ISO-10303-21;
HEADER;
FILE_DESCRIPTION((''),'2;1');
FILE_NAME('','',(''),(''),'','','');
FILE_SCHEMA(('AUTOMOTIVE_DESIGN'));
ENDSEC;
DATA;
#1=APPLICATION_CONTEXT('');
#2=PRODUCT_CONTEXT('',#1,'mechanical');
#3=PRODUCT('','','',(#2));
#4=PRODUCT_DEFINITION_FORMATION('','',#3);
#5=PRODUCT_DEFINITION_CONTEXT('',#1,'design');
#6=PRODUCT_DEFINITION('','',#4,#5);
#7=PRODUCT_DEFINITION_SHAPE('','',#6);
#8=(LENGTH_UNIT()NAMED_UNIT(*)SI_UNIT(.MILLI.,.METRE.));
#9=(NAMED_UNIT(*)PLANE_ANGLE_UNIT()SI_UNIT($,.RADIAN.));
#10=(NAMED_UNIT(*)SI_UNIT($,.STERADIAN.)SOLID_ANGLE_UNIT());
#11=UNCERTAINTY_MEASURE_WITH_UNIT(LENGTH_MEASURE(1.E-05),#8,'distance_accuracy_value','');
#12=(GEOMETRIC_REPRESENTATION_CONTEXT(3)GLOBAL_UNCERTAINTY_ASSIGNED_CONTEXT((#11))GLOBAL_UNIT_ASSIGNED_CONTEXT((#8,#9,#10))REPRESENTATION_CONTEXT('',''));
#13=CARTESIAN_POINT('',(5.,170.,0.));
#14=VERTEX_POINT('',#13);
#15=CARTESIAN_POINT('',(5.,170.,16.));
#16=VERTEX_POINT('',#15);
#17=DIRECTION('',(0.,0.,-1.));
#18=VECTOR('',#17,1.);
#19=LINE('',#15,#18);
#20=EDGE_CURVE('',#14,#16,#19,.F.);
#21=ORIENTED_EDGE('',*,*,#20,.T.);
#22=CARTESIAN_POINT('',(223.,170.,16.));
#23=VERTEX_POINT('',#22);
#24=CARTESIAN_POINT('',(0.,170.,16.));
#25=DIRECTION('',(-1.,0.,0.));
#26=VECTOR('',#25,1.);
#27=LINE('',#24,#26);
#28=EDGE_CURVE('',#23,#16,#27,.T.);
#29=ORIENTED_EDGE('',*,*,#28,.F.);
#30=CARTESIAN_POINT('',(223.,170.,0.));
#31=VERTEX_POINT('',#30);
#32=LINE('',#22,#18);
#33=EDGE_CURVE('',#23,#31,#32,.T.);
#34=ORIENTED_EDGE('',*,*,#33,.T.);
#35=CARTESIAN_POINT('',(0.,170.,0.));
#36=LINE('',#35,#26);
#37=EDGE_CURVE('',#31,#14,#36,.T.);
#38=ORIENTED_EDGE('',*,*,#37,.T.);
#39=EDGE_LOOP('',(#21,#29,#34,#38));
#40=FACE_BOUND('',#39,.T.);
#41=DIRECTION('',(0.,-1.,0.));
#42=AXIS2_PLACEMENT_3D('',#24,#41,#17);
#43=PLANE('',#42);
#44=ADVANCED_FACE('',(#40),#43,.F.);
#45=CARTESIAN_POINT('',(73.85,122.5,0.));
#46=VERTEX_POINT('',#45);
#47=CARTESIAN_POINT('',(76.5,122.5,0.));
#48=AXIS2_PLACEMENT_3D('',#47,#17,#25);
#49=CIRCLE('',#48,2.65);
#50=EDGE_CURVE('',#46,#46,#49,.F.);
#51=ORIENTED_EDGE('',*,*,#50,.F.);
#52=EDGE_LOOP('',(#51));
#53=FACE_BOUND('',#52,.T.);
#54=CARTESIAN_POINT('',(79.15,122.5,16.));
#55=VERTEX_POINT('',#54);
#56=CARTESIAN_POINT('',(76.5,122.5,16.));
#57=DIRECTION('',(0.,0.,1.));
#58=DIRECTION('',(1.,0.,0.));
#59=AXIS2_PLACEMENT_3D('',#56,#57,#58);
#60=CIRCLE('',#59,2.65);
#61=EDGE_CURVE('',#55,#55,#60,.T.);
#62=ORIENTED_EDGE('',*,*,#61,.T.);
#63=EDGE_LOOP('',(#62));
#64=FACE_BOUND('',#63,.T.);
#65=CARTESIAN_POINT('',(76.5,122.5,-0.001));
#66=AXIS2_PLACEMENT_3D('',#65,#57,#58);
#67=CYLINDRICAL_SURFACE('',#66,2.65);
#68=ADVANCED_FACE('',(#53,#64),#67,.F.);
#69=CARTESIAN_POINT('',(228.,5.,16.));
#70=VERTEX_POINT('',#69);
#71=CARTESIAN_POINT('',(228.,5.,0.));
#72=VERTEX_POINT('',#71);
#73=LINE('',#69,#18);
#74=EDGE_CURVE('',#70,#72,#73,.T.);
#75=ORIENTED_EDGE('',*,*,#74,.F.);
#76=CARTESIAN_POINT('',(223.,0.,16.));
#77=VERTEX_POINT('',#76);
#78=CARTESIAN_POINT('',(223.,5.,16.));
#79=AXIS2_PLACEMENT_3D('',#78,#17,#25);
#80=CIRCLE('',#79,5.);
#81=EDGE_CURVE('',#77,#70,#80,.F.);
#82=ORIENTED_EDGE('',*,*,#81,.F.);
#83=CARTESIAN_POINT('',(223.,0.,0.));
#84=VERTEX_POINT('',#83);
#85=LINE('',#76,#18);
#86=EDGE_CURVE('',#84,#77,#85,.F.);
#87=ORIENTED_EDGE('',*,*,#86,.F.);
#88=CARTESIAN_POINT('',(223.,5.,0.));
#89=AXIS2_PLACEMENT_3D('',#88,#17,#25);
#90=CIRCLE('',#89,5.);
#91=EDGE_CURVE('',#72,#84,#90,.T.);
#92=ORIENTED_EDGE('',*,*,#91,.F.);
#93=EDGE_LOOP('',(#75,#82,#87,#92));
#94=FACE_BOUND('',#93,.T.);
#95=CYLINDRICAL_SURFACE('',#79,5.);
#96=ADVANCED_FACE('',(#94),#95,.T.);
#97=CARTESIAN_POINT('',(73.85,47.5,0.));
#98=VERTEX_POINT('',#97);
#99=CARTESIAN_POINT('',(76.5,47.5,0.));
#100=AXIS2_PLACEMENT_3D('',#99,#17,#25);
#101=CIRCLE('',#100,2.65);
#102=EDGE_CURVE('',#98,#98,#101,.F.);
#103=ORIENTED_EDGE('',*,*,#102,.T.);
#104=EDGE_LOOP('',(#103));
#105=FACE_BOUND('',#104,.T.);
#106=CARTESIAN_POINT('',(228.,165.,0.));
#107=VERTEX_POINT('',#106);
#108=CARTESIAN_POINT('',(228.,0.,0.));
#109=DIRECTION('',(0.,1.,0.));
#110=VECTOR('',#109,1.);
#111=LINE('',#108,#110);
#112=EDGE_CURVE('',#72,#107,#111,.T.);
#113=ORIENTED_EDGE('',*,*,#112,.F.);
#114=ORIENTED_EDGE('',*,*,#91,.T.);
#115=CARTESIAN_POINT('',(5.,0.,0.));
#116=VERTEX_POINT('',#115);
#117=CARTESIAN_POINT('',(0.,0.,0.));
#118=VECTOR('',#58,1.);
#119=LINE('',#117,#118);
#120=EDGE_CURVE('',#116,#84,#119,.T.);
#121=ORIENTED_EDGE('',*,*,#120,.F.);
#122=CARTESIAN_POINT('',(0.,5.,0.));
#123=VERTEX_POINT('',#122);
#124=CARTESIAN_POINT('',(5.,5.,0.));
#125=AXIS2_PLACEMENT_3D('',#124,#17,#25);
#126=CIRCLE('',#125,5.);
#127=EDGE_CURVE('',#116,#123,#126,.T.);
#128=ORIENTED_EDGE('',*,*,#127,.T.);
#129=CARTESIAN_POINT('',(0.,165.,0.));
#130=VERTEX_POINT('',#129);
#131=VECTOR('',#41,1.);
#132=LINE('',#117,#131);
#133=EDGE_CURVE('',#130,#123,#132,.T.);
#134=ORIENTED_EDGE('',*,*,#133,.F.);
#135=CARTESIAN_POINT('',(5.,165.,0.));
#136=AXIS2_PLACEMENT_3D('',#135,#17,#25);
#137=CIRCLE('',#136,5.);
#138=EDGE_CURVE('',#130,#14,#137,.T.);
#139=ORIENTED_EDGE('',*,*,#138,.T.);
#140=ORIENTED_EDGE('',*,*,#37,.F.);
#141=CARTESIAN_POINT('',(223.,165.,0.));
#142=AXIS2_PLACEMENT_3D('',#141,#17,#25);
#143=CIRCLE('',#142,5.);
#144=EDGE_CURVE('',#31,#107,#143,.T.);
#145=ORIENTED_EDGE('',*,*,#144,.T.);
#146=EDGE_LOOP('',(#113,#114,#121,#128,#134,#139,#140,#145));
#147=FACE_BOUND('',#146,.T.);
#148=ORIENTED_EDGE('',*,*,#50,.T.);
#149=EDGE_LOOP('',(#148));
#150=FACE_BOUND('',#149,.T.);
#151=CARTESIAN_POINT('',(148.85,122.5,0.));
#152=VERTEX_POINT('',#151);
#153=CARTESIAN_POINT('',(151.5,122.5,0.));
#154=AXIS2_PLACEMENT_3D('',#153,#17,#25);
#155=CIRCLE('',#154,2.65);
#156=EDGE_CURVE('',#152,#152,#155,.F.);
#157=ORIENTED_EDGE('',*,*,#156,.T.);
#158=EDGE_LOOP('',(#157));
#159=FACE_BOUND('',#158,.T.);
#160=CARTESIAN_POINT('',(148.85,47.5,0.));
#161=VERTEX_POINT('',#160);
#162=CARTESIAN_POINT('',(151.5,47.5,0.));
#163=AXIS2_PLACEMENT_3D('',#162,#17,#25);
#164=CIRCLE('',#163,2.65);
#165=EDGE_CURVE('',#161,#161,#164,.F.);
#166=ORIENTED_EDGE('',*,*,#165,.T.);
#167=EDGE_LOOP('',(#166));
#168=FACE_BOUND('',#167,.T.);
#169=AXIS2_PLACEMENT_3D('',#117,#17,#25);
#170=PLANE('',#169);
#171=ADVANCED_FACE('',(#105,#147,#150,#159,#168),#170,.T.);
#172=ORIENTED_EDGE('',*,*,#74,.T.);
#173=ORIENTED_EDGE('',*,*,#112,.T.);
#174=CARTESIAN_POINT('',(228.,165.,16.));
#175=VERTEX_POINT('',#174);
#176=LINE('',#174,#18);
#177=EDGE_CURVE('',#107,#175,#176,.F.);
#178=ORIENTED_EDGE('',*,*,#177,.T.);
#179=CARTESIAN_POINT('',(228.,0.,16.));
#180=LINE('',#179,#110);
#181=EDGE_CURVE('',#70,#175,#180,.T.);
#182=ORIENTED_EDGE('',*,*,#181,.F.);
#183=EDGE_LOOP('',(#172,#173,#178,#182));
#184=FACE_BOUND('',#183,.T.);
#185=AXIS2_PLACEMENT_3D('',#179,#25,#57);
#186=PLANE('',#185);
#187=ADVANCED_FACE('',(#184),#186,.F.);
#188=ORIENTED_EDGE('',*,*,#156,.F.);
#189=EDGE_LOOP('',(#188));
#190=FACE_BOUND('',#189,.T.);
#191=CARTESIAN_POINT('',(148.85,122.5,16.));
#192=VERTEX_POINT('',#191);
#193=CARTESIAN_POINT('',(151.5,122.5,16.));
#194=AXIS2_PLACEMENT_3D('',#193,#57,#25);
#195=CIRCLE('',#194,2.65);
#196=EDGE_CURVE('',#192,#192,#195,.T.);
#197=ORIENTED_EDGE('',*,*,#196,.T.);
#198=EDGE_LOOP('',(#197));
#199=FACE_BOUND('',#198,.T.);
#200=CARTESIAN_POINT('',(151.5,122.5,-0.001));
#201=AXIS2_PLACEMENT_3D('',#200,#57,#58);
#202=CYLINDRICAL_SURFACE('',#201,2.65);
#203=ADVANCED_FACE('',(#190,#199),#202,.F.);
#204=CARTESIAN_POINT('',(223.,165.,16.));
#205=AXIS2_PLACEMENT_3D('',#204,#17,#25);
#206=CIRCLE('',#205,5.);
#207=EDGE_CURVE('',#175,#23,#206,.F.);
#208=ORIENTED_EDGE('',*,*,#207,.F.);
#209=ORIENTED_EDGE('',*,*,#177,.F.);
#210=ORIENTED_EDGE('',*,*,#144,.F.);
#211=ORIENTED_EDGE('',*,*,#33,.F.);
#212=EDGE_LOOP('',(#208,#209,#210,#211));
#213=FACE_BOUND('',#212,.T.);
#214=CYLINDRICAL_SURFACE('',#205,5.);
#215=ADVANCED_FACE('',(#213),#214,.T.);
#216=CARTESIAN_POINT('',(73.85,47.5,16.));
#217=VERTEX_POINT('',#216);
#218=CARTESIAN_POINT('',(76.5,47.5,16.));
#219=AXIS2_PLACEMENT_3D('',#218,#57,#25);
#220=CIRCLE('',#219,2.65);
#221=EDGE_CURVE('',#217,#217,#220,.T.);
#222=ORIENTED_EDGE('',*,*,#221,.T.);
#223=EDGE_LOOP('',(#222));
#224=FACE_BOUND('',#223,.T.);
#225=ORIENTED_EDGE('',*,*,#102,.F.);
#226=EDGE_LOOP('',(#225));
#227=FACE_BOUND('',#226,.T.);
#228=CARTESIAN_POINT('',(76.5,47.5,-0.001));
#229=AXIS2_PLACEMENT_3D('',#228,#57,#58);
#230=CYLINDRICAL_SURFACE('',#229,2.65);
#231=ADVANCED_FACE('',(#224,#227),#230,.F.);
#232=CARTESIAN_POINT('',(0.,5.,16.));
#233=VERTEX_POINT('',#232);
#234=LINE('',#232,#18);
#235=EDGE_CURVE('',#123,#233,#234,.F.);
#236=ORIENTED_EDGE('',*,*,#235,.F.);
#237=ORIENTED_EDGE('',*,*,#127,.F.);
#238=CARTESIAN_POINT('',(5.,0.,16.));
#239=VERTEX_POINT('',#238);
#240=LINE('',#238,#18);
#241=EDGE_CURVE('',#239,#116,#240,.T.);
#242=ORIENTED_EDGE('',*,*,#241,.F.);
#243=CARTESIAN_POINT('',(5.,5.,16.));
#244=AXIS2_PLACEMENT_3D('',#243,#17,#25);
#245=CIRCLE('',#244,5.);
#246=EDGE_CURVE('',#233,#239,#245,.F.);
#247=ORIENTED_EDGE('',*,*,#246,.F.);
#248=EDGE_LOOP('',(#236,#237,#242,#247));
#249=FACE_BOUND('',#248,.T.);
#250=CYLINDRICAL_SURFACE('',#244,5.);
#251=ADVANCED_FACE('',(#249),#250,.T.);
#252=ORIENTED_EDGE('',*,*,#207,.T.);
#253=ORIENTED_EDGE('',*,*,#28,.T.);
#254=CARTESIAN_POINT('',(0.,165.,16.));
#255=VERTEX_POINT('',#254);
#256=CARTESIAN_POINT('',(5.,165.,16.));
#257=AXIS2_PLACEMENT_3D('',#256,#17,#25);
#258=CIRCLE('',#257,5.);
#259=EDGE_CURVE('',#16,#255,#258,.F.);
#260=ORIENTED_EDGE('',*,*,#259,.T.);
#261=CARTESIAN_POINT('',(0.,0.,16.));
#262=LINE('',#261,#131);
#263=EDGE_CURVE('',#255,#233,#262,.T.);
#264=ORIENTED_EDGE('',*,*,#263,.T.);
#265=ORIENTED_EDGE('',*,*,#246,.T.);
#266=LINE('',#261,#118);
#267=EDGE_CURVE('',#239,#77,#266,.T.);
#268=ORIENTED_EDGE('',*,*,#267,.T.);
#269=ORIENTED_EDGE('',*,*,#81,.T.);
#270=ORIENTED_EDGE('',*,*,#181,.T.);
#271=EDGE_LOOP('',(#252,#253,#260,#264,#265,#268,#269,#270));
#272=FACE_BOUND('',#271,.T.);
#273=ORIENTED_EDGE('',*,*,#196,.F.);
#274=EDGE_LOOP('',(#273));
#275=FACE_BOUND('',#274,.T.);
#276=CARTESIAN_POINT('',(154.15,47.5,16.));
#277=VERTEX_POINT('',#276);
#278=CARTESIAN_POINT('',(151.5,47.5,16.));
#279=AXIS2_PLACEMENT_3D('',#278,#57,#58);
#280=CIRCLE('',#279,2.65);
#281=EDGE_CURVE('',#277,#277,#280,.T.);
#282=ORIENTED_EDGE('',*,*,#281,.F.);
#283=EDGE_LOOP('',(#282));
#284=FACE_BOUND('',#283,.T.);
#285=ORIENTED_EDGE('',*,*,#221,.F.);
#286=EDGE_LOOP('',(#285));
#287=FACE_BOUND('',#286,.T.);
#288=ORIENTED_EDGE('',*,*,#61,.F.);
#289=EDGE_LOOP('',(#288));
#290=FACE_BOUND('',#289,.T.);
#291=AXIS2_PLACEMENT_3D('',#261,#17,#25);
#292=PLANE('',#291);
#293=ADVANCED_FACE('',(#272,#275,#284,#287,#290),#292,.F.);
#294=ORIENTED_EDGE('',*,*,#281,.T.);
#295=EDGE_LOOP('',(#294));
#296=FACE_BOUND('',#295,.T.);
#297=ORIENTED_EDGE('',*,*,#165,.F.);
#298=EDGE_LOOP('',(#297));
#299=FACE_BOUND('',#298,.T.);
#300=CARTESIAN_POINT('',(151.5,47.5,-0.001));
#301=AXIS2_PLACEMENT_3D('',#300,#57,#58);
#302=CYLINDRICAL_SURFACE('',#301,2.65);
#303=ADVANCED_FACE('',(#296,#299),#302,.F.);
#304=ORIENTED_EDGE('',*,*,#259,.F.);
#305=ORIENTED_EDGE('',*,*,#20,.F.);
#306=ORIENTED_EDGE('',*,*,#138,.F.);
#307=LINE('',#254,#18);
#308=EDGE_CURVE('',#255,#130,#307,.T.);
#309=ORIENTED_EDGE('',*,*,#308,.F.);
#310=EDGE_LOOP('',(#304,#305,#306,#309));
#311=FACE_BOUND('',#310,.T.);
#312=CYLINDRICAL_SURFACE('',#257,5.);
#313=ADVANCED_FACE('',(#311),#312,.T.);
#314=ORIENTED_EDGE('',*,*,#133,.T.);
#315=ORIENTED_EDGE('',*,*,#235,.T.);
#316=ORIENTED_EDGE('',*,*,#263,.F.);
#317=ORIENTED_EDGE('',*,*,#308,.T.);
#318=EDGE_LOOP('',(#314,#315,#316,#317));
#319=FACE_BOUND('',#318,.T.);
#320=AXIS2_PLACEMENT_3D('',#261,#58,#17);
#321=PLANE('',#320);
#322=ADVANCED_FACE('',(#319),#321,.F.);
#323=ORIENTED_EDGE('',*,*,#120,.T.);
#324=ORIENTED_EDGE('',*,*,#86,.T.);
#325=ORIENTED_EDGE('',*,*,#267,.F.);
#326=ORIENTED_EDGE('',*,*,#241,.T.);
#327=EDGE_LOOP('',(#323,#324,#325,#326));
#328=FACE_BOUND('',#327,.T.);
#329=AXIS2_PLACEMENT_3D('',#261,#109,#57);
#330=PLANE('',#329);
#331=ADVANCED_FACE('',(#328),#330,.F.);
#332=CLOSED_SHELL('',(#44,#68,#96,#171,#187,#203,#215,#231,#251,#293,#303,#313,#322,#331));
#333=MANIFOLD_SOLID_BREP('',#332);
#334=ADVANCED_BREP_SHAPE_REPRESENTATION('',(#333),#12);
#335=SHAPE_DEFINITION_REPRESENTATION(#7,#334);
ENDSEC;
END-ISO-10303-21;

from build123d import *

# Parameters (mm, degrees)
SKETCH1_W           = 228
SKETCH1_H           = 170
BOSS_EXTRUDE1_DEPTH = 16
FILLET1_R           = 5
CUT_EXTRUDE1_REACH  = 18
SKETCH2_R           = 2.65


with BuildPart() as part:
    # Sketch1 → Boss-Extrude1 (new body)
    with BuildSketch(Plane.XY):
        with Locations((114, 85)):
            Rectangle(SKETCH1_W, SKETCH1_H)
    extrude(amount=BOSS_EXTRUDE1_DEPTH)

    # Fillet1
    fillet1_edges = [part.edges().sort_by_distance(p)[0] for p in [
        (0, 170, 8),
        (228, 170, 8),
        (228, 0, 8),
        (0, 0, 8),
    ]]
    fillet(fillet1_edges, radius=FILLET1_R)

    # Sketch2 → Cut-Extrude1 (cut, up to next)
    with BuildSketch(Plane.XY.offset(16), mode=Mode.PRIVATE) as cut_extrude1_sk1:
        with Locations((76.5, 122.5)):
            Circle(SKETCH2_R)
    cut_extrude1_tool1 = extrude(cut_extrude1_sk1.sketch, amount=-CUT_EXTRUDE1_REACH, mode=Mode.PRIVATE) & part.part
    add(cut_extrude1_tool1.solids().sort_by_distance((76.5, 122.5, 16))[0], mode=Mode.SUBTRACT)
    # Sketch2 → Cut-Extrude1 (cut, up to next)
    with BuildSketch(Plane.XY.offset(16), mode=Mode.PRIVATE) as cut_extrude1_sk2:
        with Locations((151.5, 122.5)):
            Circle(SKETCH2_R)
    cut_extrude1_tool2 = extrude(cut_extrude1_sk2.sketch, amount=-CUT_EXTRUDE1_REACH, mode=Mode.PRIVATE) & part.part
    add(cut_extrude1_tool2.solids().sort_by_distance((151.5, 122.5, 16))[0], mode=Mode.SUBTRACT)
    # Sketch2 → Cut-Extrude1 (cut, up to next)
    with BuildSketch(Plane.XY.offset(16), mode=Mode.PRIVATE) as cut_extrude1_sk3:
        with Locations((76.5, 47.5)):
            Circle(SKETCH2_R)
    cut_extrude1_tool3 = extrude(cut_extrude1_sk3.sketch, amount=-CUT_EXTRUDE1_REACH, mode=Mode.PRIVATE) & part.part
    add(cut_extrude1_tool3.solids().sort_by_distance((76.5, 47.5, 16))[0], mode=Mode.SUBTRACT)
    # Sketch2 → Cut-Extrude1 (cut, up to next)
    with BuildSketch(Plane.XY.offset(16), mode=Mode.PRIVATE) as cut_extrude1_sk4:
        with Locations((151.5, 47.5)):
            Circle(SKETCH2_R)
    cut_extrude1_tool4 = extrude(cut_extrude1_sk4.sketch, amount=-CUT_EXTRUDE1_REACH, mode=Mode.PRIVATE) & part.part
    add(cut_extrude1_tool4.solids().sort_by_distance((151.5, 47.5, 16))[0], mode=Mode.SUBTRACT)


solid = part.part
